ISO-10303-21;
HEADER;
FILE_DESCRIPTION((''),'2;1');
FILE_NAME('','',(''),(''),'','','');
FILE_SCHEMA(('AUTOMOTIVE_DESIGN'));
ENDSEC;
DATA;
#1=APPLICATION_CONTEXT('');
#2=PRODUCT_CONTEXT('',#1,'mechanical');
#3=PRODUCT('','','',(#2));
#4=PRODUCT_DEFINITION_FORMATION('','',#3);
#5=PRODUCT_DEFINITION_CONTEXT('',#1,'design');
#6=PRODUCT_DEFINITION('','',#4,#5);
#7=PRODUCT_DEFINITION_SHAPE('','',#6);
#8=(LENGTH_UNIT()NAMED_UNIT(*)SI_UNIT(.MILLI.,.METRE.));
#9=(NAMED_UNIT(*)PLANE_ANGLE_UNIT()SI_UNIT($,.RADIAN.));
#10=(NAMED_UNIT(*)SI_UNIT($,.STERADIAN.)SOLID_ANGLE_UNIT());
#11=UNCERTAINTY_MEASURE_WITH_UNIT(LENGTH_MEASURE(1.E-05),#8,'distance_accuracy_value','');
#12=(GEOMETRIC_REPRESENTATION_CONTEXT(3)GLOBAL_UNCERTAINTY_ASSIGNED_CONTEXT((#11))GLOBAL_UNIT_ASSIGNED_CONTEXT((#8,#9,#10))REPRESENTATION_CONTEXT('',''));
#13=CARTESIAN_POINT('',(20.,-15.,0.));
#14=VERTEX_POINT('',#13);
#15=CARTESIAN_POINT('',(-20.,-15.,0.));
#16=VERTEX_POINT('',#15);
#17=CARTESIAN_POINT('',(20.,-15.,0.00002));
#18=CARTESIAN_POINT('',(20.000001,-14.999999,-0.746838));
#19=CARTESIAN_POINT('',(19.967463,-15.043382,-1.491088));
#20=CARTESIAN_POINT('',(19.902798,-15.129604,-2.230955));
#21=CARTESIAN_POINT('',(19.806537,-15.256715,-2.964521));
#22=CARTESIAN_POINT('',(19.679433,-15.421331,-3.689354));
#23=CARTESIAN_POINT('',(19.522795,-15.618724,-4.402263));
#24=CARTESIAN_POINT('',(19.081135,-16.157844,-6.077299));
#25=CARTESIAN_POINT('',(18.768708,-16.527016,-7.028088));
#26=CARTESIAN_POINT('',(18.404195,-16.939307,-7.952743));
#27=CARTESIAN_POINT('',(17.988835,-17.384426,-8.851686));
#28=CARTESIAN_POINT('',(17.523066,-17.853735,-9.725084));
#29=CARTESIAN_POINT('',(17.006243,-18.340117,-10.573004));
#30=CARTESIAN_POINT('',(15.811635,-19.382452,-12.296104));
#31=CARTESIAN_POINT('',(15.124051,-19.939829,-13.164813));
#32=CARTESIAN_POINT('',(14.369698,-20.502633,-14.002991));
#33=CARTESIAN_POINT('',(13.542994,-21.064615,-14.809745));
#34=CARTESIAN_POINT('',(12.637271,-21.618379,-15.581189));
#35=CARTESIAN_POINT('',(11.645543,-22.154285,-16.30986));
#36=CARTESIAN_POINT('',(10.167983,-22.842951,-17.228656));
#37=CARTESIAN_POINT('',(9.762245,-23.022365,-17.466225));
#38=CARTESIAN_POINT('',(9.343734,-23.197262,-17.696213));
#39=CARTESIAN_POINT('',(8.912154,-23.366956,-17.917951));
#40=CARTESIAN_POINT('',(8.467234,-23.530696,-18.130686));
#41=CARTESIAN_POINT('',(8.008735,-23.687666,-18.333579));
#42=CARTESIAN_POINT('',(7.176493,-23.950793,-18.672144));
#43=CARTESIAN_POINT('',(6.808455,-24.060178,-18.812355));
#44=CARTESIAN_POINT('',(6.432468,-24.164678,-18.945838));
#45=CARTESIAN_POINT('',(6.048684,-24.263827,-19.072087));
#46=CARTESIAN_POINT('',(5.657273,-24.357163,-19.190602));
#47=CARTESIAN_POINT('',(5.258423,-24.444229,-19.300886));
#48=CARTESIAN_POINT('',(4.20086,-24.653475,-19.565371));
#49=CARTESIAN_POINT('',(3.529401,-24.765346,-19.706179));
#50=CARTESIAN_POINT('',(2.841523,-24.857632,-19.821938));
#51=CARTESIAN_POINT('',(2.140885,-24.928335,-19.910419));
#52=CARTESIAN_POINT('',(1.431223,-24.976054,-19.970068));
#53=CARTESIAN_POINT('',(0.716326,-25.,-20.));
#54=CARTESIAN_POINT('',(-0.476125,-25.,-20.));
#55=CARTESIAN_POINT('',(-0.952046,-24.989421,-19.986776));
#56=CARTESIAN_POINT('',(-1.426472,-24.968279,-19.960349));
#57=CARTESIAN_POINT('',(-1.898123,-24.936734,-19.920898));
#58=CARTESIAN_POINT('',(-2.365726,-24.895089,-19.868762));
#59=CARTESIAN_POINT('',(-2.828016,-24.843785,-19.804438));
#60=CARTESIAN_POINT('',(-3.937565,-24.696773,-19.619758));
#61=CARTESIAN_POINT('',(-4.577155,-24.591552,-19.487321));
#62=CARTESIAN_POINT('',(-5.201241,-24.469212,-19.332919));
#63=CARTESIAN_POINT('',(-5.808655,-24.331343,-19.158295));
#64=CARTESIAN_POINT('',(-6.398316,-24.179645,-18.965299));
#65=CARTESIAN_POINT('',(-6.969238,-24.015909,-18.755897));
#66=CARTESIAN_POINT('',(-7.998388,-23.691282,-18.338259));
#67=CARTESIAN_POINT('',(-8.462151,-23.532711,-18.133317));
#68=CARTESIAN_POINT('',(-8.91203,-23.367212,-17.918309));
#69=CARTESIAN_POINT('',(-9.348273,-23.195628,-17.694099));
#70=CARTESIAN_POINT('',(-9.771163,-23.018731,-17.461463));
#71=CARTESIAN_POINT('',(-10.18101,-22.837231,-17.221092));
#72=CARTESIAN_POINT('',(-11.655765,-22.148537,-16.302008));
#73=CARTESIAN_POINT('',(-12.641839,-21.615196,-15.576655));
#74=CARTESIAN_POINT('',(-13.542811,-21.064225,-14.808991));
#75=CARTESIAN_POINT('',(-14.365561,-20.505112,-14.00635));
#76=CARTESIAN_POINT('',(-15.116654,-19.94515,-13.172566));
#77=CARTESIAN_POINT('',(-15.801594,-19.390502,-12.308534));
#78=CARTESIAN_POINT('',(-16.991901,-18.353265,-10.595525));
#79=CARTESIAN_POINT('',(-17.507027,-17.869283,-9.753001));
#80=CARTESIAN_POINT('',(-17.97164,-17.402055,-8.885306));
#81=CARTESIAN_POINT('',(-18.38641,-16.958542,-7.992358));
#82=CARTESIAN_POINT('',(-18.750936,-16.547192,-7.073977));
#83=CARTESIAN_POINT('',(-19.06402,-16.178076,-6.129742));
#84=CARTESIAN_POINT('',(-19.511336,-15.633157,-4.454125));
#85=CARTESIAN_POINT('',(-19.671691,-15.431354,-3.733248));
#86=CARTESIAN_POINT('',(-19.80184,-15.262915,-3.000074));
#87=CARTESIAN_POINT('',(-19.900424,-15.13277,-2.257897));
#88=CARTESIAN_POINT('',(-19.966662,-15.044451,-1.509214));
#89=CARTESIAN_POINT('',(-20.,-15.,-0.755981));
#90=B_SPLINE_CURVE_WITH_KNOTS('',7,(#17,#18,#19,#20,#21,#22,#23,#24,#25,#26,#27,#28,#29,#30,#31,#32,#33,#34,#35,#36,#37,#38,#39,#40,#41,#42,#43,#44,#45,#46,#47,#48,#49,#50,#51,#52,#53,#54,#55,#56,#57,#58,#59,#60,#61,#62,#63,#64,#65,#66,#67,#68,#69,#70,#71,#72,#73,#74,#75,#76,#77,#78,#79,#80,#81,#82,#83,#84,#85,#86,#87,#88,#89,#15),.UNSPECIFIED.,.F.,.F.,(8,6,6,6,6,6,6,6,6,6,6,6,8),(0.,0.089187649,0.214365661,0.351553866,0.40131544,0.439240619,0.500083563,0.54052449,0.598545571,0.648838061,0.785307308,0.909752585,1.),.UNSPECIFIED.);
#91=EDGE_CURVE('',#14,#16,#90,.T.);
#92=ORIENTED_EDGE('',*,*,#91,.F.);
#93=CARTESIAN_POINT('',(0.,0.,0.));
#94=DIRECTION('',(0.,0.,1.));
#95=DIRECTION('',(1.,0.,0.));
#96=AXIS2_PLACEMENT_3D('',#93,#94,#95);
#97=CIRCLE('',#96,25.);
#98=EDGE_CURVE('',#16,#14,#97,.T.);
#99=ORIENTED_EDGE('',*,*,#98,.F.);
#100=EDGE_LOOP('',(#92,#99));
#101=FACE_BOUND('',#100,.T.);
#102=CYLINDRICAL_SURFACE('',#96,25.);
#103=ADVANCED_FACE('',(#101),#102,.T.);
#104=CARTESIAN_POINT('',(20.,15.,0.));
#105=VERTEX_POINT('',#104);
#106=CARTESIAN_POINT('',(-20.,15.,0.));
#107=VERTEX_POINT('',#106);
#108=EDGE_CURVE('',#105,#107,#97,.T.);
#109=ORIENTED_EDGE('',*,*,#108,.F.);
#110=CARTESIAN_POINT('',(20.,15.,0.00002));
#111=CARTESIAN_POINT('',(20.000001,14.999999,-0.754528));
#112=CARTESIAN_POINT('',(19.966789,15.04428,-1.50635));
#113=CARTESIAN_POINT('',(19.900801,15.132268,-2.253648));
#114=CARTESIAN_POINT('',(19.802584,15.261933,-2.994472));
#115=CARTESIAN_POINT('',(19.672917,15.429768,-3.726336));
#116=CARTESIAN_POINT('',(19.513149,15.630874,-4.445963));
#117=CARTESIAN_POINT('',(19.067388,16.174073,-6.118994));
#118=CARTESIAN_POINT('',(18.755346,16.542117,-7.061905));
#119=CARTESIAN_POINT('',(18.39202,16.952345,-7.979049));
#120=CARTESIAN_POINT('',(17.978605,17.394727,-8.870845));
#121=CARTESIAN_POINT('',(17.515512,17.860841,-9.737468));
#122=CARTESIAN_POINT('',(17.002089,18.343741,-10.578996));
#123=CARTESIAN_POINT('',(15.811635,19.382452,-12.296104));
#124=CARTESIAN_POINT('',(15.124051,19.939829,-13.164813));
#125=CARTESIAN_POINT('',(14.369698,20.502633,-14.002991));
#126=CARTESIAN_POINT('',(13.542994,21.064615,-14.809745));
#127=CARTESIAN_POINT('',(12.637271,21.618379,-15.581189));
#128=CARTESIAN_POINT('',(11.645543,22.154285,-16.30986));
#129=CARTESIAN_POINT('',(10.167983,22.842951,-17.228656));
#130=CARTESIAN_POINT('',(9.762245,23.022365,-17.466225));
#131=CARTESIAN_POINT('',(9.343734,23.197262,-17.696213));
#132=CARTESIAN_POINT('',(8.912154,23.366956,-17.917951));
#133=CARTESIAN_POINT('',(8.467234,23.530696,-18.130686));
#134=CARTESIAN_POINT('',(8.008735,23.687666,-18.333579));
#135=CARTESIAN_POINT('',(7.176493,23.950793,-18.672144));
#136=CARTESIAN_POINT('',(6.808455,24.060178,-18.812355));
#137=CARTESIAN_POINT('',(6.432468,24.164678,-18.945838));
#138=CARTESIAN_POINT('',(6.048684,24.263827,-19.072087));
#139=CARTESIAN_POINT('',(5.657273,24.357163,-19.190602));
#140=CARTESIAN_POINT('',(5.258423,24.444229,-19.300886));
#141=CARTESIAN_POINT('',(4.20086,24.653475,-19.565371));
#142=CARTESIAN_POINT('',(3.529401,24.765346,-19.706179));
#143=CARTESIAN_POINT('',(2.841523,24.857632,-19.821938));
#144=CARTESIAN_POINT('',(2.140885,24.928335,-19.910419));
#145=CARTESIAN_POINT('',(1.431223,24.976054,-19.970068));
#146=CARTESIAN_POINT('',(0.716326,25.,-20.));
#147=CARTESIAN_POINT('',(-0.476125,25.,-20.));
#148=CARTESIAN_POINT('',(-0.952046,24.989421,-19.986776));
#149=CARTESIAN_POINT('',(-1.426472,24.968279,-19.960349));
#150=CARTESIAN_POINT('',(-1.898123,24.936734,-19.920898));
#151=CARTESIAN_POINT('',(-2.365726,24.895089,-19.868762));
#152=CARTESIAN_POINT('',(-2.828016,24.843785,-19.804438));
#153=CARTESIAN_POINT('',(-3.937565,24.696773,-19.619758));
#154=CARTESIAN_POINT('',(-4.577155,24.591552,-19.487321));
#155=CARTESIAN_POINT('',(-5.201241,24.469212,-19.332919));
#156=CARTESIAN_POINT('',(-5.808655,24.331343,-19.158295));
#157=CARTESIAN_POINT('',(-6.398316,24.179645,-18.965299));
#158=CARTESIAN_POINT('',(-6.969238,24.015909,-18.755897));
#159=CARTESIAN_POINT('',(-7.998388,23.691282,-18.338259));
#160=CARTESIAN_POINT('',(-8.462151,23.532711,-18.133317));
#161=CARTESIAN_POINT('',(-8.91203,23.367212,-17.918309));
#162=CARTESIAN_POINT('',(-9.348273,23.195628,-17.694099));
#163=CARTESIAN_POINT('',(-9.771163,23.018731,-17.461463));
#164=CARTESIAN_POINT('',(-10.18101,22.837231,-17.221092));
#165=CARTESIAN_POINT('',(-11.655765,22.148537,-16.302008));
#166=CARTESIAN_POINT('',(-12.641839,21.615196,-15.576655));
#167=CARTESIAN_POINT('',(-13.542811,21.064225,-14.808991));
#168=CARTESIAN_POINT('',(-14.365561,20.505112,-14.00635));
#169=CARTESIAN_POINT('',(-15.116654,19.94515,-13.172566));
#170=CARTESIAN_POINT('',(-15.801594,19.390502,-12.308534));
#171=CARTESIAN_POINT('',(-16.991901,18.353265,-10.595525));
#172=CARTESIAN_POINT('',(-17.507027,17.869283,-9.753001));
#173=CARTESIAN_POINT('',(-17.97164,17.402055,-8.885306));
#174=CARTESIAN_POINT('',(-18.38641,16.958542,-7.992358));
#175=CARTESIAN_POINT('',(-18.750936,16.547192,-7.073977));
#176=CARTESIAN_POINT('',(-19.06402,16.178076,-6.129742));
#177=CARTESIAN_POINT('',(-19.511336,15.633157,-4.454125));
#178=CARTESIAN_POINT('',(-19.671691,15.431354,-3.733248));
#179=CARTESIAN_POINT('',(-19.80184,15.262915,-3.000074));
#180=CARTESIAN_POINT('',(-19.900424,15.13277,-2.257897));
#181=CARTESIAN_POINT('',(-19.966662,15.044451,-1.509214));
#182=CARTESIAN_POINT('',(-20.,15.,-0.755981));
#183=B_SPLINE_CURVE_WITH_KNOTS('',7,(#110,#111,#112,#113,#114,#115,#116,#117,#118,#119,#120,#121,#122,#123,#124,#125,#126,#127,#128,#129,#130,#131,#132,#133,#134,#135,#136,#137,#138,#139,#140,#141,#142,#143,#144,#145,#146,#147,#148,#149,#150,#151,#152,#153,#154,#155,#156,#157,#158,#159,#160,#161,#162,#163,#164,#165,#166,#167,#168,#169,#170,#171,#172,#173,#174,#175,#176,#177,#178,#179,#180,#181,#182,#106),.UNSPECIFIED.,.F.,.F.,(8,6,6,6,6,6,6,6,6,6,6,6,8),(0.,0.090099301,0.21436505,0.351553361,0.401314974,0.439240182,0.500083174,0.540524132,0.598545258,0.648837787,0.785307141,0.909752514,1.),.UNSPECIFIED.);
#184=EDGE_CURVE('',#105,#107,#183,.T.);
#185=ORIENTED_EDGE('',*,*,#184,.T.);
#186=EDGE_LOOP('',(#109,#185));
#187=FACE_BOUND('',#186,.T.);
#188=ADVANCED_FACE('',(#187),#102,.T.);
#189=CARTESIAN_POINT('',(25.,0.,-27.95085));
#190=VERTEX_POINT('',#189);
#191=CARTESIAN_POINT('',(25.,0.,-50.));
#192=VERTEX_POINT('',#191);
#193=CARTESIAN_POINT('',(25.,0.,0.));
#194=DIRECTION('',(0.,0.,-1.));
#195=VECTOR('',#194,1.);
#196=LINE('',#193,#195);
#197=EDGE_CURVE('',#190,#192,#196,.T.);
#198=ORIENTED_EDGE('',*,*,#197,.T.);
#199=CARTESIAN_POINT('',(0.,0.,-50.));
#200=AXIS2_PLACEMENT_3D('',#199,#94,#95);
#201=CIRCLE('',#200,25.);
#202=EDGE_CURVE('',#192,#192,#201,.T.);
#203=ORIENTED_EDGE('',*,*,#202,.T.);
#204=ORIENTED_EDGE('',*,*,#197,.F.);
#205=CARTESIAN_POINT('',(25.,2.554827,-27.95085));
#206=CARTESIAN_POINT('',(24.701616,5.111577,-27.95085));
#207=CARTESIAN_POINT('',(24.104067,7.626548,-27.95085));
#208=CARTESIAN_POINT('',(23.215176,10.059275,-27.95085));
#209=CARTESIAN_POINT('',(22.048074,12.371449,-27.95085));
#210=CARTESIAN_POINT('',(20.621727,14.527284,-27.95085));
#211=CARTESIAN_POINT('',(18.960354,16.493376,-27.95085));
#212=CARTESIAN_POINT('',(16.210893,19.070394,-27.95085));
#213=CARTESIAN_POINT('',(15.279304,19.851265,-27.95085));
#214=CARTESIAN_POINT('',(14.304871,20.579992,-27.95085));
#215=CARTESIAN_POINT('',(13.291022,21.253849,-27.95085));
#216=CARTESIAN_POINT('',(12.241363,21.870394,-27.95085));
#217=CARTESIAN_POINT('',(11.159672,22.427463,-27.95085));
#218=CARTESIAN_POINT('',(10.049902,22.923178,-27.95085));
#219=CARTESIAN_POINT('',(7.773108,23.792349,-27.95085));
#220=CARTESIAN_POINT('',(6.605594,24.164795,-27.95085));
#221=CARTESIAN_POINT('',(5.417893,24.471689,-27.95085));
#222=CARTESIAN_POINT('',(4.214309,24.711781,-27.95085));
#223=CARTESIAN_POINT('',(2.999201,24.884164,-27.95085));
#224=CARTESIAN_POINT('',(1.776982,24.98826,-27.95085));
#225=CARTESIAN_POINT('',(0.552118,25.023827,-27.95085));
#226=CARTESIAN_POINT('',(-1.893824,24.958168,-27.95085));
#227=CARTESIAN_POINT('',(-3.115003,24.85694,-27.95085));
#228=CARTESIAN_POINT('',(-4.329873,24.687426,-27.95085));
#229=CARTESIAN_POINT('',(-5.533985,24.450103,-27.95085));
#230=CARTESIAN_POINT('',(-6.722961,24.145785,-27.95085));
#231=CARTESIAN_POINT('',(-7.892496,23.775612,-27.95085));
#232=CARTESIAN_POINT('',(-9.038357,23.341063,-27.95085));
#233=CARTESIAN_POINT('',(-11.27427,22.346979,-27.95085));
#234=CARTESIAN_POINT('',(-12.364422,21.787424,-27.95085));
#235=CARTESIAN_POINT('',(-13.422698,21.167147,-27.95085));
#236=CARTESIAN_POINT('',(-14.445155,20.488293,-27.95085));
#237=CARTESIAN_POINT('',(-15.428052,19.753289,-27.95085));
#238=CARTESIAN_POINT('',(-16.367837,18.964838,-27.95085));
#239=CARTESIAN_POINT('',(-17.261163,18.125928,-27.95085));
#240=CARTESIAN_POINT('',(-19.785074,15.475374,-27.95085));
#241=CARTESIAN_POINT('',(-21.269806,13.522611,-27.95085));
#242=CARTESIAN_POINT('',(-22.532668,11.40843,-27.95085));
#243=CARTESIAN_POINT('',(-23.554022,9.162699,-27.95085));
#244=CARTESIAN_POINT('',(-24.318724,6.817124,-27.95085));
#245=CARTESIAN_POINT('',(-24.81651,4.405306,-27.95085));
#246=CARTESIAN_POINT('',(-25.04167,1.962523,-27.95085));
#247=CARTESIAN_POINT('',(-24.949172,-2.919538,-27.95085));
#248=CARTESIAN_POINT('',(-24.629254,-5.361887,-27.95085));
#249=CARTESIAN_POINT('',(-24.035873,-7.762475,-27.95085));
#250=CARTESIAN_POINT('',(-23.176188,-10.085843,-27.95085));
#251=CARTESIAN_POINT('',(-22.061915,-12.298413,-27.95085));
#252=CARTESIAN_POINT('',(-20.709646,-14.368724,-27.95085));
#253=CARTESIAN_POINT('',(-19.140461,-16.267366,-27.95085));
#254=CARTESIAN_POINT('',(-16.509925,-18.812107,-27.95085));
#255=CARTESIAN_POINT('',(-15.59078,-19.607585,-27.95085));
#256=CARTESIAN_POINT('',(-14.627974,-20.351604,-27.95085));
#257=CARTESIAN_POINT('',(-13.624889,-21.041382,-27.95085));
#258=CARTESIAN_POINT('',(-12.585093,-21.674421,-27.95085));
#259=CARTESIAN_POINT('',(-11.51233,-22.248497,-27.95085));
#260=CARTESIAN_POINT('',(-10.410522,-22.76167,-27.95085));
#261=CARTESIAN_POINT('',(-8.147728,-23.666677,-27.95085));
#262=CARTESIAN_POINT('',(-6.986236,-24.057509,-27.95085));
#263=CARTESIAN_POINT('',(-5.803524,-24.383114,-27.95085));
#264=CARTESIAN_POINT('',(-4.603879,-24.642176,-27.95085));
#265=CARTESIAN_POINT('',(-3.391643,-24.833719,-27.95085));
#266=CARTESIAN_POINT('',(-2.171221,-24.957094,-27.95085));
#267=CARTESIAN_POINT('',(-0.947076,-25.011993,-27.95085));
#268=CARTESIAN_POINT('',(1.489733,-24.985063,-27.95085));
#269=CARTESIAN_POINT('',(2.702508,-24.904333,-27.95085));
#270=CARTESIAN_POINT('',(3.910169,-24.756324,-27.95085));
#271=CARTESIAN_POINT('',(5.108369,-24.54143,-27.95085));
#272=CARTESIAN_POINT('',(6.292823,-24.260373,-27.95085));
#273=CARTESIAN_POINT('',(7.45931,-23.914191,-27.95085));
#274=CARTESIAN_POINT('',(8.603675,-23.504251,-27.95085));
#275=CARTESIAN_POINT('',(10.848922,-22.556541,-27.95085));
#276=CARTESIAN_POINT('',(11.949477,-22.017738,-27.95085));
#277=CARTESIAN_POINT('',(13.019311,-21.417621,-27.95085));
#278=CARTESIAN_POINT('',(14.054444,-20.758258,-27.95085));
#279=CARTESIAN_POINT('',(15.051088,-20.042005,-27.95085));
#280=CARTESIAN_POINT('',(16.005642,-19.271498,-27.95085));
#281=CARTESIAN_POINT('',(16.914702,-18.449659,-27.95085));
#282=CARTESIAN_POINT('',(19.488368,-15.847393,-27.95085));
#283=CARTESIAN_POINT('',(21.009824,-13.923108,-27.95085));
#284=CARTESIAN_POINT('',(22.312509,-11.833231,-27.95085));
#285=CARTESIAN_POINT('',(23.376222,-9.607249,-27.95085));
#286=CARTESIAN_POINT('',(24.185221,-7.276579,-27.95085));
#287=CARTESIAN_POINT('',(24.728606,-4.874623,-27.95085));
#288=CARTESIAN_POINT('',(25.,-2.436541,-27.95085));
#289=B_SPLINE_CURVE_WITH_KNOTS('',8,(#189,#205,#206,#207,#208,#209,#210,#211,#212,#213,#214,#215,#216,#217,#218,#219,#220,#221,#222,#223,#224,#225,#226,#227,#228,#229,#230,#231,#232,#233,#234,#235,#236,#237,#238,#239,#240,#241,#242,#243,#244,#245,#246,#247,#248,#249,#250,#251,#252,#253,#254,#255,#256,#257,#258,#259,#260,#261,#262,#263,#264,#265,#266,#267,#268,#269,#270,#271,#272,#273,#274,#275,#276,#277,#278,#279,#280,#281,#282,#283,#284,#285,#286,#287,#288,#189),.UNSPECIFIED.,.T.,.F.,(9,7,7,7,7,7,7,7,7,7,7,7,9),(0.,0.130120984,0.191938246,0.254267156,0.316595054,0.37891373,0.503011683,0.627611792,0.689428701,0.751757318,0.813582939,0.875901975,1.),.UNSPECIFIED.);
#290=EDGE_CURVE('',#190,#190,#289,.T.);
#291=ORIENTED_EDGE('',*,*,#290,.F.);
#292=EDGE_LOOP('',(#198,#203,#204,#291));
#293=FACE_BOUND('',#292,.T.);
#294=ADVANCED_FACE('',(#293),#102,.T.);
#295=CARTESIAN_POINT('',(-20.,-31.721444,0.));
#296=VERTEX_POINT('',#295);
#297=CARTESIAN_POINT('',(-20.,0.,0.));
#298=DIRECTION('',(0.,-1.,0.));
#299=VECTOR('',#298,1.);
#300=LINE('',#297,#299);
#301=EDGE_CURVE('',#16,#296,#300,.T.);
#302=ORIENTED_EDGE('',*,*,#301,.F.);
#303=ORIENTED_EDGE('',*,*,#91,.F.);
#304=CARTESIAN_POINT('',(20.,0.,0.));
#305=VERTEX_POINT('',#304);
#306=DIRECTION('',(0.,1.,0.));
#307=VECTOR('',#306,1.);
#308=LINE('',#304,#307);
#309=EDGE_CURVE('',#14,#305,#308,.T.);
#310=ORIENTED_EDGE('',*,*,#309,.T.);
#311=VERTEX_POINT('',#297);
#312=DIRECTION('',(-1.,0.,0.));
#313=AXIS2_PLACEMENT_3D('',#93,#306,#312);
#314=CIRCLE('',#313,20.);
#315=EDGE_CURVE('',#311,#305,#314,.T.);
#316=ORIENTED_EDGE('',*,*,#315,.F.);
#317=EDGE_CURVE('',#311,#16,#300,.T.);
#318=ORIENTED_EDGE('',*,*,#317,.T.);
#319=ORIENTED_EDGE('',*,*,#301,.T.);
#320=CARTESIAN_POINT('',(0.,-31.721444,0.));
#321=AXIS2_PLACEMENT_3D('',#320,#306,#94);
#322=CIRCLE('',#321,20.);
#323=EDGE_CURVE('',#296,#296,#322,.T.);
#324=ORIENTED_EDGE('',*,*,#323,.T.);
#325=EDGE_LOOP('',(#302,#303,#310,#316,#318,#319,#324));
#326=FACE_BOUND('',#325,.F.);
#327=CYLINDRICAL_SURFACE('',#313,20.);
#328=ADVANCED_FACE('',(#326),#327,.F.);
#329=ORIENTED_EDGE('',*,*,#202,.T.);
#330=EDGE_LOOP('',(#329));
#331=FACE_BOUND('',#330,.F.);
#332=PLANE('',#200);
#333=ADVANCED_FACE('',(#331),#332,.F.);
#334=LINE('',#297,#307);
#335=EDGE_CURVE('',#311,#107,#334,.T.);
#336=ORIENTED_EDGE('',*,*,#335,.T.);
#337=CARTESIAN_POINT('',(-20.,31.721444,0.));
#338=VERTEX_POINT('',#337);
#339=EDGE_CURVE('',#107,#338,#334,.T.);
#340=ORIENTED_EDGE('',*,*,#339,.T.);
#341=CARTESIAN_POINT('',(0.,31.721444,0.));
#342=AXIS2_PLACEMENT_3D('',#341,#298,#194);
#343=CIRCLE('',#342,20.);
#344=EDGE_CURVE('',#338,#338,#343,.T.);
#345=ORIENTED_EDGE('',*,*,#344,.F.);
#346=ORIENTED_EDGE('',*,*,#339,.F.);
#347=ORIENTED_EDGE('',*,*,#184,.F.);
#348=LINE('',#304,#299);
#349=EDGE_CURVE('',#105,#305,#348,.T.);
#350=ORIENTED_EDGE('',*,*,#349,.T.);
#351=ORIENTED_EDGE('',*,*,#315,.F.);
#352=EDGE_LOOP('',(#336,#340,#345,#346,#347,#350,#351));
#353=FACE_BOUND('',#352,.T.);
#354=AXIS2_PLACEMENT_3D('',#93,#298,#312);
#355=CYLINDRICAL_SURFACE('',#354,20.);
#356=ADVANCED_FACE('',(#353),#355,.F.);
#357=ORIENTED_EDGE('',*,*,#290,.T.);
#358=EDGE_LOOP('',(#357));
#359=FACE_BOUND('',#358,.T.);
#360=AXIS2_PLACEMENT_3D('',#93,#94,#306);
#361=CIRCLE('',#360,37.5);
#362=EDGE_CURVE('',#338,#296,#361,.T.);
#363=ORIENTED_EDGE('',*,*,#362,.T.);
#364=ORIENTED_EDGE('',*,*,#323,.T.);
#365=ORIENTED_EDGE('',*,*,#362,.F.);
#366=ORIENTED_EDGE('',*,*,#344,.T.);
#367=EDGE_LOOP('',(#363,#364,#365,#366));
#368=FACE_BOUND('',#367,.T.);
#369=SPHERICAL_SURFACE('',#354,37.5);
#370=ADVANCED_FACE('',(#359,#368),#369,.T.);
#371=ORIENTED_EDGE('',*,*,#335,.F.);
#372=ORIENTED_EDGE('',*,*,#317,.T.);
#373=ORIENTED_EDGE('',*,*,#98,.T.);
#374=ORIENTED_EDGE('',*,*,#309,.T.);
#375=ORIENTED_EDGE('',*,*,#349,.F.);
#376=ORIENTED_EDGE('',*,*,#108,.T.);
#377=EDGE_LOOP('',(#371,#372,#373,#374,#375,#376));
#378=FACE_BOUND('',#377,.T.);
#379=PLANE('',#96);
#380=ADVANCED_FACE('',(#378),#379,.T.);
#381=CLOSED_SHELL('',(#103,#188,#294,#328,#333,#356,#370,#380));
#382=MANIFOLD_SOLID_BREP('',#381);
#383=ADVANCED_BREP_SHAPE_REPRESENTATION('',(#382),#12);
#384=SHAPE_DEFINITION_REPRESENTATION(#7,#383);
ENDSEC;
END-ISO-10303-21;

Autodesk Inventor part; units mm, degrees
ref_plane "YZ Plane" through (0, 0, 0) normal (1, 0, 0) x (0, 1, 0)
sketch "スケッチ1" plane through (0, 0, 0) normal (0, 0, 1) x (1, 0, 0)
  arc A0 (0, 37.5) -> (0, -37.5) centre (0, 0) ccw
  line L0 (0, 37.5) -> (0, -37.5)
  dimension "d0" = 75
revolve "回転1" add sketch "スケッチ1" angle 360 about axis through (0, 37.5, 0) along (0, -1, 0)
sketch "スケッチ2" plane through (0, 0, 0) normal (0, 1, 0) x (-1, 0, 0)
  circle A0 centre (0, 0) radius 20
  dimension "d2" = 40
extrude "押し出し1" cut sketch "スケッチ2" along normal mid plane 100
sketch "スケッチ3" plane through (0, 0, 0) normal (0, 0, 1) x (1, 0, 0)
  circle A0 centre (0, 0) radius 25
  dimension "d5" = 50
extrude "押し出し2" add sketch "スケッチ3" against normal blind 50
properties part number "LowerarmP"
